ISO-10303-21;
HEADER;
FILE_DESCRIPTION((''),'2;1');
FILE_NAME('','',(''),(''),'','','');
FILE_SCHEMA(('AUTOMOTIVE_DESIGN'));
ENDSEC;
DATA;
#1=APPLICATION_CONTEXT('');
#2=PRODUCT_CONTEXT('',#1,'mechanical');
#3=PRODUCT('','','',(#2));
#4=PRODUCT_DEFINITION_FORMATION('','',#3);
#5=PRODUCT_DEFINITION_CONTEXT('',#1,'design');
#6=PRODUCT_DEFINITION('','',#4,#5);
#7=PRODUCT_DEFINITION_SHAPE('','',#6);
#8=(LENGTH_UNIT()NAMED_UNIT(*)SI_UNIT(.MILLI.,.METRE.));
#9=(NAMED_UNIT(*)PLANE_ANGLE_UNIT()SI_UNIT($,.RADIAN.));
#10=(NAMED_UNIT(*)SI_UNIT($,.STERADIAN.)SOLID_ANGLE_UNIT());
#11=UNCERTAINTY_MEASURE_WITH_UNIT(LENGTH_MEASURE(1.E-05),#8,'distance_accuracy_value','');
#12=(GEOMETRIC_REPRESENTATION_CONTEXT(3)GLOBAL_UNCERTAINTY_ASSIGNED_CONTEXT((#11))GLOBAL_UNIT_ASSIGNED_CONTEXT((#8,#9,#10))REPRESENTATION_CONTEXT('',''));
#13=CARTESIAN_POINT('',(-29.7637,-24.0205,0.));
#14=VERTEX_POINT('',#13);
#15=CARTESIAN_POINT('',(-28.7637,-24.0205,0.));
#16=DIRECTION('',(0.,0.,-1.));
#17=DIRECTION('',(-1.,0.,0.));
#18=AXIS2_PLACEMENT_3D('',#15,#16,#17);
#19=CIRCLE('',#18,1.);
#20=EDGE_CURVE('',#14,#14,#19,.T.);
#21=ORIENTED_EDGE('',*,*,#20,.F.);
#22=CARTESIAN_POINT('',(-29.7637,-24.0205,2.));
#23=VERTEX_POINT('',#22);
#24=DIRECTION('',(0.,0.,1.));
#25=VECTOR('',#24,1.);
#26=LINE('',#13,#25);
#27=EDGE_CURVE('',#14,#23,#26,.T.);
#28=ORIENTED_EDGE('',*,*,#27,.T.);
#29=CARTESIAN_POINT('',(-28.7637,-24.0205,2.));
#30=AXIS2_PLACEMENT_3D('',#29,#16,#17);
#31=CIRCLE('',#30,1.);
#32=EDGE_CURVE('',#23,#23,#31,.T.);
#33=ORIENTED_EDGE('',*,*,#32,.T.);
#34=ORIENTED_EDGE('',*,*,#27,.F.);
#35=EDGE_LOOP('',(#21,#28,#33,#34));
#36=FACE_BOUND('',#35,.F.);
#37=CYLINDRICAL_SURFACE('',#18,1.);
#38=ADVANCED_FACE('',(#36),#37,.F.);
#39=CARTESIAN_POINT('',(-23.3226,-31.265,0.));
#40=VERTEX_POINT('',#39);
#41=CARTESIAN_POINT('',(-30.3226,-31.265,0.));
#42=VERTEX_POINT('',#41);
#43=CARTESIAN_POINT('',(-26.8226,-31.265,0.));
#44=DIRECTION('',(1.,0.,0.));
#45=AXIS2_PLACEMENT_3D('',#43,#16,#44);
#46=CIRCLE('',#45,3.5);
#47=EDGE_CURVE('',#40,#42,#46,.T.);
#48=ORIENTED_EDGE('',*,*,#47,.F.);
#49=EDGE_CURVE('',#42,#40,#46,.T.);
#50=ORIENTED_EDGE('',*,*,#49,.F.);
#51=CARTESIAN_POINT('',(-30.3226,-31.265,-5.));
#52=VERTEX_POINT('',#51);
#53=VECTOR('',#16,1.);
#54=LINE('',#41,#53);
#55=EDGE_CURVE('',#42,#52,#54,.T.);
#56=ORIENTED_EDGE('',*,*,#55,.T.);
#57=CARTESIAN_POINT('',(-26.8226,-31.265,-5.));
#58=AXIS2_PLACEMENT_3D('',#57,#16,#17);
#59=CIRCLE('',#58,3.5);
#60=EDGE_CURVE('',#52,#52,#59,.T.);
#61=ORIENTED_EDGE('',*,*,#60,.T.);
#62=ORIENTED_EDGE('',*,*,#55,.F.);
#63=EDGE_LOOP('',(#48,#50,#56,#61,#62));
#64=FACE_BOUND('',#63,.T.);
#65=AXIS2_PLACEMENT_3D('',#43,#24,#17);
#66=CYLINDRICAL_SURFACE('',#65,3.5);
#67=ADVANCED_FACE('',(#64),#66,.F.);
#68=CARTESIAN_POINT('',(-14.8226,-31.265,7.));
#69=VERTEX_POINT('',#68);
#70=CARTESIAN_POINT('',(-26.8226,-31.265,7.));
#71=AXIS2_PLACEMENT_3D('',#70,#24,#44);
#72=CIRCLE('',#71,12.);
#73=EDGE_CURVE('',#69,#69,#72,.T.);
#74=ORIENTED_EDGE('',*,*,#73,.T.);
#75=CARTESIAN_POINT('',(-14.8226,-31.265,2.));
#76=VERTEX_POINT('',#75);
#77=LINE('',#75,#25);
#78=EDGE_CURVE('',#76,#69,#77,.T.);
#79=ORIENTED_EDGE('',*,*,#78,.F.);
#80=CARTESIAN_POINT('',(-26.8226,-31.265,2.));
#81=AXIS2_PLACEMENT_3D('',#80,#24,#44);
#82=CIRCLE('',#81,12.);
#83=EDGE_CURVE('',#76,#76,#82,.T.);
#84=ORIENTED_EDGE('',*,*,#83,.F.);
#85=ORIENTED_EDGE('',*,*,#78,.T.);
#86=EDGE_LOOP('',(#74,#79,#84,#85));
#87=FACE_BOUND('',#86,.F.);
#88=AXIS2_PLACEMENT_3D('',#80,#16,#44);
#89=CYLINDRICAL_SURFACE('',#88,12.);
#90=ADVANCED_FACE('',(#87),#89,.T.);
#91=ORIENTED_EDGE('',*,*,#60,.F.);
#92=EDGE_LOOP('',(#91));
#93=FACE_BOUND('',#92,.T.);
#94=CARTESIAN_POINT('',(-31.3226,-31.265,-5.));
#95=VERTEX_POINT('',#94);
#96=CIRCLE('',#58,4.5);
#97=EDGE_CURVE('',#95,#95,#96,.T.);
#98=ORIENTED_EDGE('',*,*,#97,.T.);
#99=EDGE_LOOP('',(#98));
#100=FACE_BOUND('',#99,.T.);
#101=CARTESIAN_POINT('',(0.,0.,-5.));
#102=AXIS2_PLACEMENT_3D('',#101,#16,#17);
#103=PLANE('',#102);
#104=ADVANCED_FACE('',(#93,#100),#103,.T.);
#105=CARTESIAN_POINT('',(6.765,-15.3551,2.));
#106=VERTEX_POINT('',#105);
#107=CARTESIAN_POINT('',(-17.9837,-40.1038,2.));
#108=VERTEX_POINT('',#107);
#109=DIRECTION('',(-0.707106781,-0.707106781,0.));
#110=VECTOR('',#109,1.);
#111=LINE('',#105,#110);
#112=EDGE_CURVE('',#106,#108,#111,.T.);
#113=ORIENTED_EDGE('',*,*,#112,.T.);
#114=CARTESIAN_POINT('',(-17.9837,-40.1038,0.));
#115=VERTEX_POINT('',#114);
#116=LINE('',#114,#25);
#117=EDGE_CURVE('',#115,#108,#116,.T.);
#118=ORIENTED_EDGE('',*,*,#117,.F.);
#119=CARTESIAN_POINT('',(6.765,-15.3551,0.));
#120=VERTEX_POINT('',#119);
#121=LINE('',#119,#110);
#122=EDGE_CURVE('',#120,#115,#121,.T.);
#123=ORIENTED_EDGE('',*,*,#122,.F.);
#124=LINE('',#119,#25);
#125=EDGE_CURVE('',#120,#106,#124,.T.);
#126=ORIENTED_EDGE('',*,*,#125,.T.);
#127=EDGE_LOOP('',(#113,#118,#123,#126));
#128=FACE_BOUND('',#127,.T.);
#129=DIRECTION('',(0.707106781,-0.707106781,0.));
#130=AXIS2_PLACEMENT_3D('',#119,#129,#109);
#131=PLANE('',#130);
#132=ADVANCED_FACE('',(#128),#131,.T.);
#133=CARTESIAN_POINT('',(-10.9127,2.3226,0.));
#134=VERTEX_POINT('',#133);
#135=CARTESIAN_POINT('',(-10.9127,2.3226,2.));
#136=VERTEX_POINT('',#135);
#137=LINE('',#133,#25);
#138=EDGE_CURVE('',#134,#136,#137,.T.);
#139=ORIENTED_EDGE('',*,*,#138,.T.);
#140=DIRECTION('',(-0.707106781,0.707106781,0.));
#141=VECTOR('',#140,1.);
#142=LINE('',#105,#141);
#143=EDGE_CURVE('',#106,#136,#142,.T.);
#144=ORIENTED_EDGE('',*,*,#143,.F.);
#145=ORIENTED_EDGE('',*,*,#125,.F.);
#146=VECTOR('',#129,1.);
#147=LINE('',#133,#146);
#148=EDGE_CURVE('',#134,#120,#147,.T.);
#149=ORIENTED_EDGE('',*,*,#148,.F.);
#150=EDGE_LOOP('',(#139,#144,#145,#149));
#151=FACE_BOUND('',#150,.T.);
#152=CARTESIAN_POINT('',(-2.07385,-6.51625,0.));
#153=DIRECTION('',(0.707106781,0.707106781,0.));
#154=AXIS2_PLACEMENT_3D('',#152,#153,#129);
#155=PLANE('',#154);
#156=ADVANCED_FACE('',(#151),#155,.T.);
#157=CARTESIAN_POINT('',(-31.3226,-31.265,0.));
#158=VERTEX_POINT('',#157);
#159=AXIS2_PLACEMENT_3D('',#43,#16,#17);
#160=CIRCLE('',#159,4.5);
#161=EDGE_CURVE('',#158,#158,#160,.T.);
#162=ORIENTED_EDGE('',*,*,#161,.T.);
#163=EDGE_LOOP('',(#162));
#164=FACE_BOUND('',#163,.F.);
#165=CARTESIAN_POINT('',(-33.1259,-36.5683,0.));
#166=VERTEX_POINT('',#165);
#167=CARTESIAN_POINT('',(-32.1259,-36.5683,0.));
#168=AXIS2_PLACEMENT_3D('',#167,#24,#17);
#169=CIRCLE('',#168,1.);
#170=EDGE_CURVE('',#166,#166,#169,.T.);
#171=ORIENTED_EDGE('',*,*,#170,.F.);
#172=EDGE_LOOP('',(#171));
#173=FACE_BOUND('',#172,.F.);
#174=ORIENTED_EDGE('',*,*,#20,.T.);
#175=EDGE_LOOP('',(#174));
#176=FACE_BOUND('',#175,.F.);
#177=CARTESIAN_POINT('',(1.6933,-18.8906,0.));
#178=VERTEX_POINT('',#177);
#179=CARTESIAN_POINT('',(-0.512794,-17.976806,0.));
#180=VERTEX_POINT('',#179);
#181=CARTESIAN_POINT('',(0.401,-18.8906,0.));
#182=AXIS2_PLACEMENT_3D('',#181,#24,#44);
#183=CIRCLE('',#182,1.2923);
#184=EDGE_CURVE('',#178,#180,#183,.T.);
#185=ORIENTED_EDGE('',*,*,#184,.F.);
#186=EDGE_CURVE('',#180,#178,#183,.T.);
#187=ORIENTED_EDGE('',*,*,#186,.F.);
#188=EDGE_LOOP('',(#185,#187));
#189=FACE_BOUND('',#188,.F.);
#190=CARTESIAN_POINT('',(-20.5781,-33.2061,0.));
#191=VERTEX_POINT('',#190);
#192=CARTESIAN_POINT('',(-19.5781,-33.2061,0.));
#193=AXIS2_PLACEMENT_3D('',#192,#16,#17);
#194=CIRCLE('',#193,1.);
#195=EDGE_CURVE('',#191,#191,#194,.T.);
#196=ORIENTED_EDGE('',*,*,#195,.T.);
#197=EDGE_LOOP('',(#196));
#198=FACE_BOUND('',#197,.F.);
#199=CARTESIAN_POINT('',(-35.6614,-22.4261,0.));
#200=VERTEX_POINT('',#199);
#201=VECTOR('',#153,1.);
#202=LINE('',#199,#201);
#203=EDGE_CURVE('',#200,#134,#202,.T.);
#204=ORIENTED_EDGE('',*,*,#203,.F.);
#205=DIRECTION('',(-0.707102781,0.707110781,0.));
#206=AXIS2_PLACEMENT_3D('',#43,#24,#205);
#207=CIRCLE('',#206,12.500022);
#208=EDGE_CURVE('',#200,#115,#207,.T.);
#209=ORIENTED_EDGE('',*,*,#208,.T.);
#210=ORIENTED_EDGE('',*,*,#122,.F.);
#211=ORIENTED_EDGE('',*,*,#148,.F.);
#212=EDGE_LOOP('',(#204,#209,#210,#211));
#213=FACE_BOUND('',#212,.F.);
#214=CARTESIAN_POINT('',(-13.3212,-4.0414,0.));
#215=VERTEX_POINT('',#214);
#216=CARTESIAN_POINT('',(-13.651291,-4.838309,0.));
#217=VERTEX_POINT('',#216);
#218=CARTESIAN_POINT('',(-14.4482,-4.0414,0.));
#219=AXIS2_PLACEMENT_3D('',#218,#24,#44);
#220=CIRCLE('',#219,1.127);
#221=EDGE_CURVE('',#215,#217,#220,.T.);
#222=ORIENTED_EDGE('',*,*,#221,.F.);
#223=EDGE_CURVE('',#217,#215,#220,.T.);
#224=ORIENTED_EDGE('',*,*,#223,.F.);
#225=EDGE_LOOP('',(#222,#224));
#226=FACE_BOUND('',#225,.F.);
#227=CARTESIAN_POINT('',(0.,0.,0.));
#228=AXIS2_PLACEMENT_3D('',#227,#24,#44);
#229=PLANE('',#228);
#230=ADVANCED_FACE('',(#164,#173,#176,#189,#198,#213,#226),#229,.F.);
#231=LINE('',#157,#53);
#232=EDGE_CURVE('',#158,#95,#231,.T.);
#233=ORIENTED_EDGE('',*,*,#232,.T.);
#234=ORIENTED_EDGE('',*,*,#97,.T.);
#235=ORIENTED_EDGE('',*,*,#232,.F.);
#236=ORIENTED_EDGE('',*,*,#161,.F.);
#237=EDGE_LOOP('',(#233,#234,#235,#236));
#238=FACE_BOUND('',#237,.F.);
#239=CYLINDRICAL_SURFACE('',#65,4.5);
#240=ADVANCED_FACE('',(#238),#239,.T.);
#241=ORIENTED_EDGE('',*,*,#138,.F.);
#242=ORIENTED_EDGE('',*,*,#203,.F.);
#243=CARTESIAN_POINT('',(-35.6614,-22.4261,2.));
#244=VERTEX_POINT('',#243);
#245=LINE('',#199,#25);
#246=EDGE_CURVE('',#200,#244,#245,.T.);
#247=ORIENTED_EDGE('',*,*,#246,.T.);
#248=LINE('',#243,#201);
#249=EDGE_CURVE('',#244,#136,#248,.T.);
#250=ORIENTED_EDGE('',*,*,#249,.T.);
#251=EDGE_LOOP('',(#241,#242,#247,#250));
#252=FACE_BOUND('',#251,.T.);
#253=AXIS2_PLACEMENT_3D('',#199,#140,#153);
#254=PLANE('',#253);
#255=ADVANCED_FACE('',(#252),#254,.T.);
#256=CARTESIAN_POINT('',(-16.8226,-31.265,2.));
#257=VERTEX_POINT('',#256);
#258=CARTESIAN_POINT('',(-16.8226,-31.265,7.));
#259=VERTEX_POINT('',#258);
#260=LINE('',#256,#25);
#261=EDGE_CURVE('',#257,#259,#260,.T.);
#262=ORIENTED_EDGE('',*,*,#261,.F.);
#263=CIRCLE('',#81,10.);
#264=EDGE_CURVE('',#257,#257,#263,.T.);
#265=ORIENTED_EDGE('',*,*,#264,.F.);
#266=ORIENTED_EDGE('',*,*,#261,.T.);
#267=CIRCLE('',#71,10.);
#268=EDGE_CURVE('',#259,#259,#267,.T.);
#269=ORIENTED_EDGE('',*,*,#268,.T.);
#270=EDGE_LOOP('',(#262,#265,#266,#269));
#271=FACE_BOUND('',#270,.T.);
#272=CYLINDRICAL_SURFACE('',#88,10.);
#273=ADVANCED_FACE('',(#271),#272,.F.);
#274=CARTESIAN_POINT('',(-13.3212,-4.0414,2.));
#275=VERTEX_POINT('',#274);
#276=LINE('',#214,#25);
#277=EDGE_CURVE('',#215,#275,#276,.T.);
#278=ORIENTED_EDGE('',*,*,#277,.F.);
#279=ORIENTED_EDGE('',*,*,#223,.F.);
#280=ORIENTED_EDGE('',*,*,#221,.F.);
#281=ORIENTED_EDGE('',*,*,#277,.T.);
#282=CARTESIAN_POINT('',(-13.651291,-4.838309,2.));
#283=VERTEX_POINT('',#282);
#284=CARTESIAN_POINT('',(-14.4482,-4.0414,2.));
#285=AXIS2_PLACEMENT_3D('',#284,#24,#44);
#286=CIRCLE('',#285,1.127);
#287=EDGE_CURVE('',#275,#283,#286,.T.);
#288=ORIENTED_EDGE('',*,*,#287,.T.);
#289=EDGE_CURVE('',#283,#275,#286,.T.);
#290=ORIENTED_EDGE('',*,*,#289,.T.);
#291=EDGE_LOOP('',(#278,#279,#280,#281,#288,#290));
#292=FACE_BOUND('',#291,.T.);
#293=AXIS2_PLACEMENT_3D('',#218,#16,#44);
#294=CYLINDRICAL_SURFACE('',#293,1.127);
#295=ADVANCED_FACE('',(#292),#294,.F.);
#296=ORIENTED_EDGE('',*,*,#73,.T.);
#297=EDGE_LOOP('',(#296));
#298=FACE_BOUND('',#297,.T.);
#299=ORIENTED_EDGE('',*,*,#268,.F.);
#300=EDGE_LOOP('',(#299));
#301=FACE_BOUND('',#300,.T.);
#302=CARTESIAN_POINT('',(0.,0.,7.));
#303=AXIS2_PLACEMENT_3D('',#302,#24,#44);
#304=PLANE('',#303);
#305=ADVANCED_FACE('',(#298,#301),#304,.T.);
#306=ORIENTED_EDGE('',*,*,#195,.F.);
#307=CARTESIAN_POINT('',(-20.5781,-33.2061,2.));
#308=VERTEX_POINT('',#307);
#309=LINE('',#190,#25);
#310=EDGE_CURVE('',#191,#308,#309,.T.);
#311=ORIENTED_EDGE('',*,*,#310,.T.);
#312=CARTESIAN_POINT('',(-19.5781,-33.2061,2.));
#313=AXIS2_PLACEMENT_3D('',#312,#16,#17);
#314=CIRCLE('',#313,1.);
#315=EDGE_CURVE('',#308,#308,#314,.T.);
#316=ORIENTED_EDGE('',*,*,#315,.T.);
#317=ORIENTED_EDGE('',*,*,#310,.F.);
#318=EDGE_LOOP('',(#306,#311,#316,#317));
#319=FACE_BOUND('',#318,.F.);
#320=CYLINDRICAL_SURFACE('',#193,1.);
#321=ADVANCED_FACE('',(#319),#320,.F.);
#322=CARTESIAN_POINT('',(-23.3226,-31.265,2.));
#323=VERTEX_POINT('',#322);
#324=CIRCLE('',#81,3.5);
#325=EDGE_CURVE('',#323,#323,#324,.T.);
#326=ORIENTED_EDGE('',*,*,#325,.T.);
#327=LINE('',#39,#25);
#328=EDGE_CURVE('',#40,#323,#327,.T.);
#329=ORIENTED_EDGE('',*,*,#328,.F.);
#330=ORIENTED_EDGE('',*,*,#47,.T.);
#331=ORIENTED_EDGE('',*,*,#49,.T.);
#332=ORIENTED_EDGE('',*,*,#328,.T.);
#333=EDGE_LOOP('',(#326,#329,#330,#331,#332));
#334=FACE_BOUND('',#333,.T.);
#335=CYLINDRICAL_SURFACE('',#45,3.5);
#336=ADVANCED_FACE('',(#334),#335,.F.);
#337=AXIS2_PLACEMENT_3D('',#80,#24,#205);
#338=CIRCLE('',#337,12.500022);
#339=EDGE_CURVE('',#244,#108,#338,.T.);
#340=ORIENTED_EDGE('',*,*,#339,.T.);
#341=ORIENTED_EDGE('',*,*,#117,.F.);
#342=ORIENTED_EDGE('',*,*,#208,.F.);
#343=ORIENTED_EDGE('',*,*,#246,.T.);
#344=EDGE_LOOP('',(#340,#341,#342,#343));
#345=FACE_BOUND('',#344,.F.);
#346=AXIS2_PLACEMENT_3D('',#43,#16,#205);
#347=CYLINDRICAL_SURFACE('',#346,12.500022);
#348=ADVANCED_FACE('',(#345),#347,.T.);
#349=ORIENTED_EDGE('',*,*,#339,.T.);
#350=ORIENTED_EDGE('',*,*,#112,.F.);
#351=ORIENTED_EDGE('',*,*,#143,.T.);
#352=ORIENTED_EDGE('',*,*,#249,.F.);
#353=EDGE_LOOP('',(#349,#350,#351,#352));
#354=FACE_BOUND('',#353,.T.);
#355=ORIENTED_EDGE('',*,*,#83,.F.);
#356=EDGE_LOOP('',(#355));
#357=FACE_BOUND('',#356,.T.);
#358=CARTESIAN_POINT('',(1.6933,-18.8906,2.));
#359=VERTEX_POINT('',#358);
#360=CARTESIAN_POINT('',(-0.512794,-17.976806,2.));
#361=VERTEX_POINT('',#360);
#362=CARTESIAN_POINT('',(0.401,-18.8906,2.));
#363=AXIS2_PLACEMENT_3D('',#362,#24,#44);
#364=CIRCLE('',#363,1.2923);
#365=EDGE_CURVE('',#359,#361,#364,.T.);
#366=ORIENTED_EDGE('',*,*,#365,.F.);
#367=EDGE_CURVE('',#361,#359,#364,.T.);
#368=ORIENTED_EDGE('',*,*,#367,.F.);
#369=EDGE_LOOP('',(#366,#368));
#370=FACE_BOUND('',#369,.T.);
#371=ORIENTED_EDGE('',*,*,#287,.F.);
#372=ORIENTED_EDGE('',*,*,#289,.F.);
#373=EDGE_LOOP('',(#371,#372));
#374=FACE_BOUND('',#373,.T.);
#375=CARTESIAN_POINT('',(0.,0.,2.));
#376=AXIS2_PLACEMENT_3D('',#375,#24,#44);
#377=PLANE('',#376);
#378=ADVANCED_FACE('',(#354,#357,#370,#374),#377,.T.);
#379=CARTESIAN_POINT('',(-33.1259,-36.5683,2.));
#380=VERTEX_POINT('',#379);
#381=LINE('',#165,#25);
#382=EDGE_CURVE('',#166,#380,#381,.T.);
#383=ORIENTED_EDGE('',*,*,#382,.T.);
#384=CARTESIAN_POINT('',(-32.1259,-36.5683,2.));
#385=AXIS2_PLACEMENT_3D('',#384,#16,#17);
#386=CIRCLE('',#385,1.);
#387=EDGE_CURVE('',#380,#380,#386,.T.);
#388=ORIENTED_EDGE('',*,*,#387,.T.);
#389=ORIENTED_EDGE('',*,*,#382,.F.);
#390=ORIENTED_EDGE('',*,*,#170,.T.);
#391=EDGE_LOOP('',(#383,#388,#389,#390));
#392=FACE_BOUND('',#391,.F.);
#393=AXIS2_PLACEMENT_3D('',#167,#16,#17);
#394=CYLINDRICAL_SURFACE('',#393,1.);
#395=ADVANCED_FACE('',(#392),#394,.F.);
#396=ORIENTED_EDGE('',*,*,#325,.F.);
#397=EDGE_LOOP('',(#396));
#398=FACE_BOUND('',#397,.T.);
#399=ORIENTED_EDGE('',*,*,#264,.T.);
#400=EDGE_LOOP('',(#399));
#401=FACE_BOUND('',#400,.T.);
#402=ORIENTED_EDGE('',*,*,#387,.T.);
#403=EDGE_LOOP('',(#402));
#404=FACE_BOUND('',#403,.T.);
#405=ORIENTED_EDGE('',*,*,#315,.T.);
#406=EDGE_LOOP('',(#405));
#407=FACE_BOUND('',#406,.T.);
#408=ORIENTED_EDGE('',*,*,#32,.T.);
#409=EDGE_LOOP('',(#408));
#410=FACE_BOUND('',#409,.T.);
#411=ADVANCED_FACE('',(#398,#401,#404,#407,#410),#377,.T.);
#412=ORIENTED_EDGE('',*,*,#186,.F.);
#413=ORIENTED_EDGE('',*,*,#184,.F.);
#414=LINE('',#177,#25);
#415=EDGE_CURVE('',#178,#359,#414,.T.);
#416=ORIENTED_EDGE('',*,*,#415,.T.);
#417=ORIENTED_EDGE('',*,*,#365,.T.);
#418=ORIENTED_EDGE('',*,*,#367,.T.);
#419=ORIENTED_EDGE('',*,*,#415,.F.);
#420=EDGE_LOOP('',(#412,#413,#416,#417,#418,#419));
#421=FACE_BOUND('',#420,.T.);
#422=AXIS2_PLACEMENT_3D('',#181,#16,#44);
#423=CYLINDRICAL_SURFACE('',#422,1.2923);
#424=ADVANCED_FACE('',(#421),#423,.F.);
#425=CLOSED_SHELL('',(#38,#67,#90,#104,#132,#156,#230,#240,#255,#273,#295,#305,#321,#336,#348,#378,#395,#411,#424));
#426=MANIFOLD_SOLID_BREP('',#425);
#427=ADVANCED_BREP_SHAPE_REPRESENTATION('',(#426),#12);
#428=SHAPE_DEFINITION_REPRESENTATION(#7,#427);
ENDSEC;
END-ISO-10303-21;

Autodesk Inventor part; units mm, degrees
ref_plane "YZ Plane" through (0, 0, 0) normal (1, 0, 0) x (0, 1, 0)
ref_plane "XZ Plane" through (0, 0, 0) normal (0, 1, 0) x (-1, 0, 0)
ref_plane "XY Plane" through (0, 0, 0) normal (0, 0, 1) x (1, 0, 0)
sketch "Sketch1" plane through (0, 0, 0) normal (0, 0, 1) x (1, 0, 0)
  circle A0 centre (-26.8226, -31.265) radius 3.5
  arc A1 (-35.6614, -22.4261) -> (-17.9837, -40.1038) centre (-26.8226, -31.265) ccw
  circle A2 centre (38.1774, 33.735) radius 1.5
  circle A3 centre (-14.4482, -4.0414) radius 1
  circle A4 centre (0.401, -18.8906) radius 1
  line L0 (-14.4482, -4.0414) -> (0.401, -18.8906)
  line L1 (-17.9837, -40.1038) -> (-35.6614, -22.4261)
  line L2 (-35.6614, -22.4261) -> (-10.9127, 2.3226)
  line L3 (-35.6614, -22.4261) -> (-10.9127, 2.3226)
  line L4 (-10.9127, 2.3226) -> (6.765, -15.3551)
  line L5 (6.765, -15.3551) -> (-17.9837, -40.1038)
  circle A5 centre (-14.4482, -4.0414) radius 1.127
  circle A6 centre (0.401, -18.8906) radius 1.2923
  circle A7 centre (0.401, -18.8906) radius 1.0598
  line L6 (-26.8226, -31.265) -> (-2.0738, -6.5162)
  line L7 (37.1168, 32.6744) -> (38.1774, 33.735)
  point P0 (0, 0)
  point P1 (38.1774, -31.265)
  dimension "d0" = 35
extrude "Extrusion1" add sketch "Sketch1" along normal blind 2 contours A0 L6 L4 L5 L1 | A0 L1 L2 L4 L6 | L1 A1 A0
sketch "Sketch2" plane through (0, 0, 2) normal (0, 0, 1) x (1, 0, 0)
  circle A0 centre (-26.8226, -31.265) radius 3.5 projected
  circle A1 centre (-26.8226, -31.265) radius 10
  circle A2 centre (-26.8226, -31.265) radius 12
  point P0 (0, 0)
  dimension "d3" = 20
  dimension "d4" = 2
extrude "Extrusion2" add sketch "Sketch2" along normal blind 5 contours A2
sketch "Sketch3" plane through (0, 0, 0) normal (0, 0, -1) x (-1, 0, 0)
  line L0 (-6.765, -15.3551) -> (10.9127, 2.3226) projected
  line L1 (2.0738, -6.5162) -> (35.766, -40.2084)
  circle A0 centre (26.8226, -31.265) radius 3.5 projected
  arc A1 (17.9837, -40.1038) -> (35.6614, -22.4261) centre (26.8226, -31.265) ccw projected
  line L2 (26.8226, -31.265) -> (17.9837, -40.1038)
  circle A2 centre (32.1259, -36.5683) radius 1
  circle A3 centre (28.7637, -24.0205) radius 1
  circle A4 centre (19.5781, -33.2061) radius 1
  point P0 (0, 0)
  dimension "d7" = 2
  dimension "d8" = 15
  dimension "d11" = 360
extrude "Extrusion3" cut sketch "Sketch3" against normal blind 5 contours A2 L1 | L1 A2 | A3 | A4
sketch "Sketch4" plane through (0, 0, 0) normal (0, 0, -1) x (-1, 0, 0)
  circle A0 centre (32.1259, -36.5683) radius 1 projected
  circle A1 centre (19.5781, -33.2061) radius 1 projected
  circle A2 centre (28.7637, -24.0205) radius 1 projected
  line L0 (17.9837, -40.1038) -> (-6.765, -15.3551) projected
  arc A3 (17.9837, -40.1038) -> (35.6614, -22.4261) centre (26.8226, -31.265) ccw projected
  line L1 (10.9127, 2.3226) -> (35.6614, -22.4261) projected
  line L2 (-6.765, -15.3551) -> (10.9127, 2.3226) projected
  circle A4 centre (14.4482, -4.0414) radius 1.127 projected
  circle A5 centre (-0.401, -18.8906) radius 1.2923 projected
  circle A6 centre (26.8226, -31.265) radius 3.5 projected
  circle A7 centre (26.8226, -31.265) radius 4.5
  point P0 (0, 0)
  dimension "d15" = 1
extrude "Extrusion4" add sketch "Sketch4" along normal blind 5 contours A7
sketch "Sketch5" plane through (0, 0, 0) normal (1, 0, 0) x (0, 1, 0)
  point P0 (0, 0)
sketch "Sketch6" plane through (0, 0, 0) normal (0, 0, -1) x (-1, 0, 0)
  point P0 (0, 0)
properties part number "motorbracket"
